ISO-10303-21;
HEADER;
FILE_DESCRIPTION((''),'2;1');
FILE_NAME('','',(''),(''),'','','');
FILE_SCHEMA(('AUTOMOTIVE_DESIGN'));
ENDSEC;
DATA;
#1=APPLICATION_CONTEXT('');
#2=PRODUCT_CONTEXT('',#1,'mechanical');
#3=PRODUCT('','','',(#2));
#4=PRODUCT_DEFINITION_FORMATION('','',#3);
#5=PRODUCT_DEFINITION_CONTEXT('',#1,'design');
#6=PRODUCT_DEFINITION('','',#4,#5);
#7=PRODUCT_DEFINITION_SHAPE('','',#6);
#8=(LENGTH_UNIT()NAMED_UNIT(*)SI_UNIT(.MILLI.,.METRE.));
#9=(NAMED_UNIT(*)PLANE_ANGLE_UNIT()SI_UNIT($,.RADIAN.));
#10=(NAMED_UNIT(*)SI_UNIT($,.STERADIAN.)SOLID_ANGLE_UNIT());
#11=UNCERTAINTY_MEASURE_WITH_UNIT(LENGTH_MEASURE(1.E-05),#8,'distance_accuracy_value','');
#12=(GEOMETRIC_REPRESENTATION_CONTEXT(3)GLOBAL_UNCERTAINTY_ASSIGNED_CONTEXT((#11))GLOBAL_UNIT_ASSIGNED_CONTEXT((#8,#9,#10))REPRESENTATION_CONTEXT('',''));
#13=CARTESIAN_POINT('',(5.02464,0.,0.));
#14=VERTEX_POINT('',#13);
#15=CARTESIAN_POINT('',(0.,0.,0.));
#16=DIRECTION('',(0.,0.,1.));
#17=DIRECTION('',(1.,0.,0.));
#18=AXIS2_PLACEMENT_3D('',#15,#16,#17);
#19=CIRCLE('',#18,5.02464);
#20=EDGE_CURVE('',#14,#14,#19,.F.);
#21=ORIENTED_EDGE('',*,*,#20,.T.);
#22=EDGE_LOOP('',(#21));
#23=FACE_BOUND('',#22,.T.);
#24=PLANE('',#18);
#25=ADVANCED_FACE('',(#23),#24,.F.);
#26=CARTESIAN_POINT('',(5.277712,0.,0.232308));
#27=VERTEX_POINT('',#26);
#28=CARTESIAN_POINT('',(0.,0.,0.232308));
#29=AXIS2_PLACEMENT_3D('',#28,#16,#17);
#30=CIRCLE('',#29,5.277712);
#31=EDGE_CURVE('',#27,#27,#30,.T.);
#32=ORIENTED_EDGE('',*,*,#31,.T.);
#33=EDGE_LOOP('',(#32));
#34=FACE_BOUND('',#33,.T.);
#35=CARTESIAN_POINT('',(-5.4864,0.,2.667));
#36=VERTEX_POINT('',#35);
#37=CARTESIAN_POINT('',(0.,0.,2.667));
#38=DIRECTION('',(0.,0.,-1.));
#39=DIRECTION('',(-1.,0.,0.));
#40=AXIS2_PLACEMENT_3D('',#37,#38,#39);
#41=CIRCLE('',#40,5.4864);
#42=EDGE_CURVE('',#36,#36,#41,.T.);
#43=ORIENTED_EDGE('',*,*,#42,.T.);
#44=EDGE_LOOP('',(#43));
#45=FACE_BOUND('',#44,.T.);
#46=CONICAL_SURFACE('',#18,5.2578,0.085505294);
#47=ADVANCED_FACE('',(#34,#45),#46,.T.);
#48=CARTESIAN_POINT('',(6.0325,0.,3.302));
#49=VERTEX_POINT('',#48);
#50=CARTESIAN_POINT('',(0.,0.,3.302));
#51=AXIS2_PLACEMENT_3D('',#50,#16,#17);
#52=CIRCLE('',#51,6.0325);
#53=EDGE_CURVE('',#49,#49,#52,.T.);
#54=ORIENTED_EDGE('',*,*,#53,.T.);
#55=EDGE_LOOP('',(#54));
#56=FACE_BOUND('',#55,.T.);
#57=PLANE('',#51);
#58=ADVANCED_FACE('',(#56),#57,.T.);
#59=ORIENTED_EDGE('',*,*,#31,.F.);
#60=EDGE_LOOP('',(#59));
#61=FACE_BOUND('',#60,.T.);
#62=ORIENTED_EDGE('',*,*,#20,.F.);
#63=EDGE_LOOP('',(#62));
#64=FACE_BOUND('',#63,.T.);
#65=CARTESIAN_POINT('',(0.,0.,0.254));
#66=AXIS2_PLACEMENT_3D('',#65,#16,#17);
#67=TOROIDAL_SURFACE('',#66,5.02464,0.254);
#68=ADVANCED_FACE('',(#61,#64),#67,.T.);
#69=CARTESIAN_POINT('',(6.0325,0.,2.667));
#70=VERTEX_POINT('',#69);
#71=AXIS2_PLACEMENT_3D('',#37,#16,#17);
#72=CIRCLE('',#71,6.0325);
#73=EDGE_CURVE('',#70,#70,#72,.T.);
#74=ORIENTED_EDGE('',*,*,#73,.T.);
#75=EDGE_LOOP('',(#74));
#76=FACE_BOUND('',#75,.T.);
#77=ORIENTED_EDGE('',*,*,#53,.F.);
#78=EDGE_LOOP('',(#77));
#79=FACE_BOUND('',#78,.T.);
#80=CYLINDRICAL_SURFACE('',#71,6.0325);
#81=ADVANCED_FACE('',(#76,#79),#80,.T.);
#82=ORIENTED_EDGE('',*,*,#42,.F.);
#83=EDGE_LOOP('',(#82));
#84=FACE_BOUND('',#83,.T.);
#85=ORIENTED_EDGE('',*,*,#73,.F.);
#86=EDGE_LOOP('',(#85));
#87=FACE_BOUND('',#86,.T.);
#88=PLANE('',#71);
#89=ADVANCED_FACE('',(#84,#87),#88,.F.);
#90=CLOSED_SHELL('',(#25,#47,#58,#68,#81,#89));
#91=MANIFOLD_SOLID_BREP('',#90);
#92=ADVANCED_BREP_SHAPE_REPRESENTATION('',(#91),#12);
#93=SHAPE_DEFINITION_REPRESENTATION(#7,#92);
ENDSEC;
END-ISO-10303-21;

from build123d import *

# Parameters (mm, degrees)
SKETCH2_R           = 6.0325
BOSS_EXTRUDE1_DEPTH = 0.635
SKETCH1_R           = 5.2578
SKETCH3_R           = 5.4864
FILLET1_R           = 0.254


with BuildPart() as part:
    # Sketch2 → Boss-Extrude1 (new body)
    with BuildSketch(Plane.XY.offset(3.302)):
        Circle(SKETCH2_R)
    extrude(amount=-BOSS_EXTRUDE1_DEPTH)

    # Sketch1 → Loft1 section 0
    with BuildSketch(Plane.XY):
        Circle(SKETCH1_R)
    # Sketch3 → Loft1 section 1
    with BuildSketch(Plane(origin=(0, 0, 2.667), x_dir=(-1, 0, 0), z_dir=(0, 0, -1))):
        Circle(SKETCH3_R)
    loft()

    # Fillet1
    fillet1_edges = [part.edges().sort_by_distance(p)[0] for p in [
        (-5.2578, 0, 0),
    ]]
    fillet(fillet1_edges, radius=FILLET1_R)


solid = part.part
